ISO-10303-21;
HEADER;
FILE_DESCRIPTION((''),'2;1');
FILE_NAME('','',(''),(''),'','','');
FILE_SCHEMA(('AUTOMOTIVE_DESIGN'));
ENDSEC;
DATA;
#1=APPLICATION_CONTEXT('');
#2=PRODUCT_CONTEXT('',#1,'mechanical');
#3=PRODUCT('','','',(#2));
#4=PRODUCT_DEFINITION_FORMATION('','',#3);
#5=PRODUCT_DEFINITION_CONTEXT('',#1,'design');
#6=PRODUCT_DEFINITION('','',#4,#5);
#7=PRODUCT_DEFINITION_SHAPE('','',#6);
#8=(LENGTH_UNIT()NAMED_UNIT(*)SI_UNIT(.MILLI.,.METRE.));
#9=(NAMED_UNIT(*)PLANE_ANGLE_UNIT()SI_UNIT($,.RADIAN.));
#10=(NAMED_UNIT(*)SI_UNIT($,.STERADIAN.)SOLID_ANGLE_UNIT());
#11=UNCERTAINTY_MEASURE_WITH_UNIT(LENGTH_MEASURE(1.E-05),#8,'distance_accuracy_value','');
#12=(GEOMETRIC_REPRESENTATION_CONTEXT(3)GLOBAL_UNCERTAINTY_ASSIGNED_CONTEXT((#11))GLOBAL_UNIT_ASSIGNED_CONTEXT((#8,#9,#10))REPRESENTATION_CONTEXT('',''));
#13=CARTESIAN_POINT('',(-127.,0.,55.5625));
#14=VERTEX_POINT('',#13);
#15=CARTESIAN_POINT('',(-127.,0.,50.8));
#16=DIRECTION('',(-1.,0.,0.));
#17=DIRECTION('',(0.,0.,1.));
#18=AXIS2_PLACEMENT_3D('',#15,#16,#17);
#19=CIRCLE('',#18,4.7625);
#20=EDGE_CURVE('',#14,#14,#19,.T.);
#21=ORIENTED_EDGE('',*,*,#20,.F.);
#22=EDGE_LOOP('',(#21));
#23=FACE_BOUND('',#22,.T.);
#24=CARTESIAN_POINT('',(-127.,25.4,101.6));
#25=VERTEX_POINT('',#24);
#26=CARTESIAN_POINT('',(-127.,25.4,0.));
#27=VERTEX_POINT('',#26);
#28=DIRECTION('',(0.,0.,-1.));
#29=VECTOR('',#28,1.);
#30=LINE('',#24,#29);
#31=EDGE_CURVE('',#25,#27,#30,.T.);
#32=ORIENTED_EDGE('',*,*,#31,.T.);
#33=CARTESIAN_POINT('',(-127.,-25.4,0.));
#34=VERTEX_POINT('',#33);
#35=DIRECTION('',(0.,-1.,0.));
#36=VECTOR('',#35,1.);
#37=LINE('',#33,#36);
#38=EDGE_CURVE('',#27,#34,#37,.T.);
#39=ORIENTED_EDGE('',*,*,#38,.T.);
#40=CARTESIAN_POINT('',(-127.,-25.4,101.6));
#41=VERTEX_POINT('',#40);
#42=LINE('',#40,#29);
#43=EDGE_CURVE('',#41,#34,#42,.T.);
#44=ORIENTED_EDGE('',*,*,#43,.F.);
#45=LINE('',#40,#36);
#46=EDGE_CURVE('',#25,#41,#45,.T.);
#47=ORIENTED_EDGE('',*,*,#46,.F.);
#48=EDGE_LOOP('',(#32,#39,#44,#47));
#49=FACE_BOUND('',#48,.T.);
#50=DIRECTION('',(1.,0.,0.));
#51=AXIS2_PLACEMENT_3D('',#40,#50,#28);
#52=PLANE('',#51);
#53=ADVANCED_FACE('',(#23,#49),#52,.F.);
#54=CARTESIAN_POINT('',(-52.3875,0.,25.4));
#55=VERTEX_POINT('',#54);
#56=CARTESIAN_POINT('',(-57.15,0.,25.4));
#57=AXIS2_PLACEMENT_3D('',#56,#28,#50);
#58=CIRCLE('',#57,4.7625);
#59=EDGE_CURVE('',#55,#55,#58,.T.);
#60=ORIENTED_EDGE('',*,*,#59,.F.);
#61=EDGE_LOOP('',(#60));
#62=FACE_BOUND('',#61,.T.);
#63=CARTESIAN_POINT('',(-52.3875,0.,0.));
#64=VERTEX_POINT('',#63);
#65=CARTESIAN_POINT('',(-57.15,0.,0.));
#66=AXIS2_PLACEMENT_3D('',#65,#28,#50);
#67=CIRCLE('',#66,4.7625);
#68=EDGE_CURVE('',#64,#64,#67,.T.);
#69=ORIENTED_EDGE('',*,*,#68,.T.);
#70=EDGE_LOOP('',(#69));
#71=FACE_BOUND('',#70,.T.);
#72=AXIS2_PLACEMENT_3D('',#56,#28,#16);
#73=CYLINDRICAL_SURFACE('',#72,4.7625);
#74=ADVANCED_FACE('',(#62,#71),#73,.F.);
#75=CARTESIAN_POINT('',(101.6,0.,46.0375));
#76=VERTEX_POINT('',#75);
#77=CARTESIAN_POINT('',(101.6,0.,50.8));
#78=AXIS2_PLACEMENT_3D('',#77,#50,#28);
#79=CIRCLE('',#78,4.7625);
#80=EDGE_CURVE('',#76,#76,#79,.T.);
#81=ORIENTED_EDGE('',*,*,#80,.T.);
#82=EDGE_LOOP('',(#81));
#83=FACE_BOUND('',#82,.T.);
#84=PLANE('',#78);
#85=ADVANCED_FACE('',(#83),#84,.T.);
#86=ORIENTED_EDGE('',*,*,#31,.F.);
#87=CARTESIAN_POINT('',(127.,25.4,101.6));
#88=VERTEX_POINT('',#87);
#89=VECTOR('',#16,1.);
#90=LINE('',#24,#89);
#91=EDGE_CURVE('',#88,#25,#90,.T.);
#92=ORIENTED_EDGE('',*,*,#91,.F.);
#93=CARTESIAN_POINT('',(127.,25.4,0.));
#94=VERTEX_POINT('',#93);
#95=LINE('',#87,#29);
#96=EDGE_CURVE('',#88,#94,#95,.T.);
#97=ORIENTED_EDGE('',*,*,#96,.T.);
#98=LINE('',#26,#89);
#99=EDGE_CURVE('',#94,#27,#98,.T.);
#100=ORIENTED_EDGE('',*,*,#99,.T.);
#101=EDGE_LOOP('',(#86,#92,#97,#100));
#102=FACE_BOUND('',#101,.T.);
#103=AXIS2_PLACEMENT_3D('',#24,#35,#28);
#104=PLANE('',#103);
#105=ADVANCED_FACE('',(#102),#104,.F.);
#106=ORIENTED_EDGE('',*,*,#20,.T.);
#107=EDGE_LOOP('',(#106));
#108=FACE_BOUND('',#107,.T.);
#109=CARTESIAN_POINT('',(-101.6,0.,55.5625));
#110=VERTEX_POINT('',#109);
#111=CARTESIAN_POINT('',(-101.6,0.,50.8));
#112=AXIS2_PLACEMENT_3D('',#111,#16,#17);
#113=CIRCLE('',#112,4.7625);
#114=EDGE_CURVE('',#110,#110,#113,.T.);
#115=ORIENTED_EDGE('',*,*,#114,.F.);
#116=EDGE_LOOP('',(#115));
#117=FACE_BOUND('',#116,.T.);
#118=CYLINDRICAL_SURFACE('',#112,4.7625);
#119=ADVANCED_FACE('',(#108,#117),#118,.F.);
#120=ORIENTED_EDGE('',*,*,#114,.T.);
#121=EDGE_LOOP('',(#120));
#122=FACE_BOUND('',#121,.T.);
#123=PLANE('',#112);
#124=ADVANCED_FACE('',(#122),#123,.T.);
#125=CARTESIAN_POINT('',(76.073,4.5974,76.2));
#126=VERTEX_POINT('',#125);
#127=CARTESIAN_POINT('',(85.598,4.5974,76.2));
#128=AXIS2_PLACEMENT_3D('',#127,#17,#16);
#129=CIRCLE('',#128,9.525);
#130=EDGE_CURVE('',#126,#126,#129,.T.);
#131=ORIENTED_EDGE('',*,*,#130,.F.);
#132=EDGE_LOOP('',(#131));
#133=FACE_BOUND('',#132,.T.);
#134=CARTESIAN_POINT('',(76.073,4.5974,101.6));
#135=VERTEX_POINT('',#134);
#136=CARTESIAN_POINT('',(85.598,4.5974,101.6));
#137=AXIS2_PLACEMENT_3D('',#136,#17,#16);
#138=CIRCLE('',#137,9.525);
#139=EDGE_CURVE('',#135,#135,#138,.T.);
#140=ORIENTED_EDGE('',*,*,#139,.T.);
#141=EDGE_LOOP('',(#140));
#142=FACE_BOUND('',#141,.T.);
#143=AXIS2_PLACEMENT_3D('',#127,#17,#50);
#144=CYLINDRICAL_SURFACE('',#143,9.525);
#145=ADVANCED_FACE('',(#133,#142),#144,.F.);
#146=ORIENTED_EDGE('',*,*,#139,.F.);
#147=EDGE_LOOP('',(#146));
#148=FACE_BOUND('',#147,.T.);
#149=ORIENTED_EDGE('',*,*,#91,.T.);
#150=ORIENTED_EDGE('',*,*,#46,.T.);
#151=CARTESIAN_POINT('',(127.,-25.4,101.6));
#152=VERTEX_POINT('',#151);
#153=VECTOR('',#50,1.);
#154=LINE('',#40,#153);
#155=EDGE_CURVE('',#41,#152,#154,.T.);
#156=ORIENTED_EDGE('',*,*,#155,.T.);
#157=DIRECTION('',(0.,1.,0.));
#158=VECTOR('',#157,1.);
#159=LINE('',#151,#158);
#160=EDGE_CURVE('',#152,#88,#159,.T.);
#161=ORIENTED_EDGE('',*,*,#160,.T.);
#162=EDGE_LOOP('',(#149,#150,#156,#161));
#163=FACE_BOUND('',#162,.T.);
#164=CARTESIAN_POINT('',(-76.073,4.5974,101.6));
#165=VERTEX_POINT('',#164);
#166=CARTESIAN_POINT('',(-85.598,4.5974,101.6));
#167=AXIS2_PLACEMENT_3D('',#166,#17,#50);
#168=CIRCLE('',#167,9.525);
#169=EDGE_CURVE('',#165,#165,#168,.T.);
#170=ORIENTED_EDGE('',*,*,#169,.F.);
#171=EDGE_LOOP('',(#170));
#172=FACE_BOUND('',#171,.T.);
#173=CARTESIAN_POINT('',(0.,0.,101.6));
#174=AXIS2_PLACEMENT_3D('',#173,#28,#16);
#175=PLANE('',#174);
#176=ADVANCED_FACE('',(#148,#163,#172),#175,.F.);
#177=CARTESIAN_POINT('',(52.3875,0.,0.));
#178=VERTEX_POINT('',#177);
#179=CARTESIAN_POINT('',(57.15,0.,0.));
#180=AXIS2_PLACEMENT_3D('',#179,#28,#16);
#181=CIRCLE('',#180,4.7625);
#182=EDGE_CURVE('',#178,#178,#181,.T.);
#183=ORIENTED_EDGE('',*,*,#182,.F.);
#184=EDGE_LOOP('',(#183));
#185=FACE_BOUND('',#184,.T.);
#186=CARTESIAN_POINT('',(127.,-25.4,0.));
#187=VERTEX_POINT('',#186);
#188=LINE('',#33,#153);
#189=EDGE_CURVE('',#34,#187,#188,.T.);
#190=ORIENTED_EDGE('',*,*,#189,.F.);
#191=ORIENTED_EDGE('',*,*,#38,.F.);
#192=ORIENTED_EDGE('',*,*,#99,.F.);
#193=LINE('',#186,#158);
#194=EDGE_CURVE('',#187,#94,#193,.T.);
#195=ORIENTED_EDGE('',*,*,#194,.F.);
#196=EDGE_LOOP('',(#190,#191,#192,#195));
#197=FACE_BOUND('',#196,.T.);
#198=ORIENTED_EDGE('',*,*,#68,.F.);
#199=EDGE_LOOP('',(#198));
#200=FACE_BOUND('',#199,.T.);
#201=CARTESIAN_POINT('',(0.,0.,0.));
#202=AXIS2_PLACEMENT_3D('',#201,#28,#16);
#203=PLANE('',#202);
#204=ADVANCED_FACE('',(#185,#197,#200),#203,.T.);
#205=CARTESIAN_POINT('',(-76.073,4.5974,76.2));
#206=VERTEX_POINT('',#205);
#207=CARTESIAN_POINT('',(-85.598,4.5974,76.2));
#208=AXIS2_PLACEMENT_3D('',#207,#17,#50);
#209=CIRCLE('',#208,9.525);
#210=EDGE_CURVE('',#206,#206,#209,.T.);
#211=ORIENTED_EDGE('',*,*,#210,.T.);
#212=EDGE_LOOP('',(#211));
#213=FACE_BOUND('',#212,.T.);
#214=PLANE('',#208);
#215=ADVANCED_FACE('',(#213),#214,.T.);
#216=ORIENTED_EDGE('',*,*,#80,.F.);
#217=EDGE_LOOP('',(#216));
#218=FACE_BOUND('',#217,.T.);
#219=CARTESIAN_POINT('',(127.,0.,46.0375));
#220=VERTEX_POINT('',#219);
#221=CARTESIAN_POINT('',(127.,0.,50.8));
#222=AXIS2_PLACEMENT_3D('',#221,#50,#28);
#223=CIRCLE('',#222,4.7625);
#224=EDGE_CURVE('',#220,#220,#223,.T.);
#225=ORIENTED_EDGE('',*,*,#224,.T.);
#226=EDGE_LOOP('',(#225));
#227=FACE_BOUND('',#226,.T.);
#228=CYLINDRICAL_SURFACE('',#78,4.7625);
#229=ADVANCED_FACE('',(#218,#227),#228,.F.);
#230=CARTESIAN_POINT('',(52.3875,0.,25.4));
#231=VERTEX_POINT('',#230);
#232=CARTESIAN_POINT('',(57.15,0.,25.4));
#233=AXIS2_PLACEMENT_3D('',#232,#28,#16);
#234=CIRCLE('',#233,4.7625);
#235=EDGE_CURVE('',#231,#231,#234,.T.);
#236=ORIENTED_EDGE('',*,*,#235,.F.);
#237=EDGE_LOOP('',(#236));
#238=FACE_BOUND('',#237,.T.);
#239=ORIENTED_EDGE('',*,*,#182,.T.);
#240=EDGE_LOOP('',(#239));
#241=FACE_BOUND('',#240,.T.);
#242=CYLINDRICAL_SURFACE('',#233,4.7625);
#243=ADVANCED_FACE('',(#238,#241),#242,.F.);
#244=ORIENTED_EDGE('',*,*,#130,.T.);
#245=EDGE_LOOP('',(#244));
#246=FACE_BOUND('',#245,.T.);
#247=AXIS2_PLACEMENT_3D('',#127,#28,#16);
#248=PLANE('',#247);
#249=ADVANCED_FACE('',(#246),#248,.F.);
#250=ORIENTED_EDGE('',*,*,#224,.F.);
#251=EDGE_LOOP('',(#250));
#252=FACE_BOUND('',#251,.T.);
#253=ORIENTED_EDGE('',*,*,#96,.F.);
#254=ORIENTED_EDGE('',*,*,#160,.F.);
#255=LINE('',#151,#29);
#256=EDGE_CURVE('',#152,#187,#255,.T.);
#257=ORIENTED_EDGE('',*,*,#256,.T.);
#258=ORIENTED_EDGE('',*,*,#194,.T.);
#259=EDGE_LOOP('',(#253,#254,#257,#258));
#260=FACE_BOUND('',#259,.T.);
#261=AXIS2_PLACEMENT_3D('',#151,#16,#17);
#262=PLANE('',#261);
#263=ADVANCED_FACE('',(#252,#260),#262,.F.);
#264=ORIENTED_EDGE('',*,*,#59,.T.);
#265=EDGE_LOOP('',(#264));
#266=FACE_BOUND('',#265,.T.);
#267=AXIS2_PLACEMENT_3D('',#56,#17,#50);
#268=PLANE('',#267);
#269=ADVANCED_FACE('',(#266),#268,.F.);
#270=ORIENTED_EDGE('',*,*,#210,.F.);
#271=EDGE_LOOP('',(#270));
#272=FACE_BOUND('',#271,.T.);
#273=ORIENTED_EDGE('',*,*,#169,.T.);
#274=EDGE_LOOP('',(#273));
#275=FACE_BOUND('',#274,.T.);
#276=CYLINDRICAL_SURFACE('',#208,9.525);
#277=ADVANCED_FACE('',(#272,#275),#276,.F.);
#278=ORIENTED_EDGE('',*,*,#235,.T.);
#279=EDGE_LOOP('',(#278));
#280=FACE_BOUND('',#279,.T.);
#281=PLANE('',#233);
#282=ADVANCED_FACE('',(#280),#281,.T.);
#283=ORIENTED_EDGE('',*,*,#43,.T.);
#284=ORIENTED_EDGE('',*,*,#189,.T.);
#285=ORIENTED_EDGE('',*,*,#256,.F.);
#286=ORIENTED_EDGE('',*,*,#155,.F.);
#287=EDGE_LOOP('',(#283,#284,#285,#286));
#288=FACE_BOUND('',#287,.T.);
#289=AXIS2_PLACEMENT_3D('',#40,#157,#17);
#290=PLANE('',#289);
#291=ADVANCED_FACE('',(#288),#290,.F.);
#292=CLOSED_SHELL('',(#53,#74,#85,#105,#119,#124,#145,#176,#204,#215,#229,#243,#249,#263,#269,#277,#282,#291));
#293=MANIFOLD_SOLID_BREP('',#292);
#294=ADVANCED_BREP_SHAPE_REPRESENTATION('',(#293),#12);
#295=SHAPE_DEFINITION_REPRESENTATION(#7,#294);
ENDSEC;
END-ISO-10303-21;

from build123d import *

# Parameters (mm, degrees)
SKETCH1_W           = 254
SKETCH1_H           = 50.8
BOSS_EXTRUDE1_DEPTH = 101.6
SKETCH2_R           = 9.525
CUT_EXTRUDE1_DEPTH  = 25.4
SKETCH3_R           = 4.7625
CUT_EXTRUDE2_DEPTH  = 25.4
SKETCH4_R           = 4.7625
CUT_EXTRUDE3_DEPTH  = 25.4
CUT_EXTRUDE4_START  = -25.4
SKETCH5_R           = 4.7625
CUT_EXTRUDE4_DEPTH  = 25.4


with BuildPart() as part:
    # Sketch1 → Boss-Extrude1 (new body)
    with BuildSketch(Plane.XY):
        Rectangle(SKETCH1_W, SKETCH1_H)
    extrude(amount=BOSS_EXTRUDE1_DEPTH)

    # Sketch2 → Cut-Extrude1 (cut)
    with BuildSketch(Plane.XY.offset(101.6)):
        with Locations((-85.598, 4.5974)):
            Circle(SKETCH2_R)
        with Locations(Location((85.598, 4.5974, 0), (0, 0, 180))):
            Circle(SKETCH2_R)
    extrude(amount=-CUT_EXTRUDE1_DEPTH, mode=Mode.SUBTRACT)

    # Sketch3 → Cut-Extrude2 (cut)
    with BuildSketch(Plane(origin=(0, 0, 0), x_dir=(-1, 0, 0), z_dir=(0, 0, -1))):
        with Locations((-57.15, 0)):
            Circle(SKETCH3_R)
        with Locations(Location((57.15, 0, 0), (0, 0, 180))):
            Circle(SKETCH3_R)
    extrude(amount=-CUT_EXTRUDE2_DEPTH, mode=Mode.SUBTRACT)

    # Sketch4 → Cut-Extrude3 (cut)
    with BuildSketch(Plane(origin=(127, 0, 0), x_dir=(0, 0, -1), z_dir=(1, 0, 0))):
        with Locations((-50.8, 0)):
            Circle(SKETCH4_R)
    extrude(amount=-CUT_EXTRUDE3_DEPTH, mode=Mode.SUBTRACT)

    # Sketch5 → Cut-Extrude4 (cut)
    with BuildSketch(Plane.ZY.offset(127).offset(CUT_EXTRUDE4_START)):
        with Locations(Location((50.8, 0, 0), (0, 0, 180))):
            Circle(SKETCH5_R)
    extrude(amount=CUT_EXTRUDE4_DEPTH, mode=Mode.SUBTRACT)


solid = part.part
